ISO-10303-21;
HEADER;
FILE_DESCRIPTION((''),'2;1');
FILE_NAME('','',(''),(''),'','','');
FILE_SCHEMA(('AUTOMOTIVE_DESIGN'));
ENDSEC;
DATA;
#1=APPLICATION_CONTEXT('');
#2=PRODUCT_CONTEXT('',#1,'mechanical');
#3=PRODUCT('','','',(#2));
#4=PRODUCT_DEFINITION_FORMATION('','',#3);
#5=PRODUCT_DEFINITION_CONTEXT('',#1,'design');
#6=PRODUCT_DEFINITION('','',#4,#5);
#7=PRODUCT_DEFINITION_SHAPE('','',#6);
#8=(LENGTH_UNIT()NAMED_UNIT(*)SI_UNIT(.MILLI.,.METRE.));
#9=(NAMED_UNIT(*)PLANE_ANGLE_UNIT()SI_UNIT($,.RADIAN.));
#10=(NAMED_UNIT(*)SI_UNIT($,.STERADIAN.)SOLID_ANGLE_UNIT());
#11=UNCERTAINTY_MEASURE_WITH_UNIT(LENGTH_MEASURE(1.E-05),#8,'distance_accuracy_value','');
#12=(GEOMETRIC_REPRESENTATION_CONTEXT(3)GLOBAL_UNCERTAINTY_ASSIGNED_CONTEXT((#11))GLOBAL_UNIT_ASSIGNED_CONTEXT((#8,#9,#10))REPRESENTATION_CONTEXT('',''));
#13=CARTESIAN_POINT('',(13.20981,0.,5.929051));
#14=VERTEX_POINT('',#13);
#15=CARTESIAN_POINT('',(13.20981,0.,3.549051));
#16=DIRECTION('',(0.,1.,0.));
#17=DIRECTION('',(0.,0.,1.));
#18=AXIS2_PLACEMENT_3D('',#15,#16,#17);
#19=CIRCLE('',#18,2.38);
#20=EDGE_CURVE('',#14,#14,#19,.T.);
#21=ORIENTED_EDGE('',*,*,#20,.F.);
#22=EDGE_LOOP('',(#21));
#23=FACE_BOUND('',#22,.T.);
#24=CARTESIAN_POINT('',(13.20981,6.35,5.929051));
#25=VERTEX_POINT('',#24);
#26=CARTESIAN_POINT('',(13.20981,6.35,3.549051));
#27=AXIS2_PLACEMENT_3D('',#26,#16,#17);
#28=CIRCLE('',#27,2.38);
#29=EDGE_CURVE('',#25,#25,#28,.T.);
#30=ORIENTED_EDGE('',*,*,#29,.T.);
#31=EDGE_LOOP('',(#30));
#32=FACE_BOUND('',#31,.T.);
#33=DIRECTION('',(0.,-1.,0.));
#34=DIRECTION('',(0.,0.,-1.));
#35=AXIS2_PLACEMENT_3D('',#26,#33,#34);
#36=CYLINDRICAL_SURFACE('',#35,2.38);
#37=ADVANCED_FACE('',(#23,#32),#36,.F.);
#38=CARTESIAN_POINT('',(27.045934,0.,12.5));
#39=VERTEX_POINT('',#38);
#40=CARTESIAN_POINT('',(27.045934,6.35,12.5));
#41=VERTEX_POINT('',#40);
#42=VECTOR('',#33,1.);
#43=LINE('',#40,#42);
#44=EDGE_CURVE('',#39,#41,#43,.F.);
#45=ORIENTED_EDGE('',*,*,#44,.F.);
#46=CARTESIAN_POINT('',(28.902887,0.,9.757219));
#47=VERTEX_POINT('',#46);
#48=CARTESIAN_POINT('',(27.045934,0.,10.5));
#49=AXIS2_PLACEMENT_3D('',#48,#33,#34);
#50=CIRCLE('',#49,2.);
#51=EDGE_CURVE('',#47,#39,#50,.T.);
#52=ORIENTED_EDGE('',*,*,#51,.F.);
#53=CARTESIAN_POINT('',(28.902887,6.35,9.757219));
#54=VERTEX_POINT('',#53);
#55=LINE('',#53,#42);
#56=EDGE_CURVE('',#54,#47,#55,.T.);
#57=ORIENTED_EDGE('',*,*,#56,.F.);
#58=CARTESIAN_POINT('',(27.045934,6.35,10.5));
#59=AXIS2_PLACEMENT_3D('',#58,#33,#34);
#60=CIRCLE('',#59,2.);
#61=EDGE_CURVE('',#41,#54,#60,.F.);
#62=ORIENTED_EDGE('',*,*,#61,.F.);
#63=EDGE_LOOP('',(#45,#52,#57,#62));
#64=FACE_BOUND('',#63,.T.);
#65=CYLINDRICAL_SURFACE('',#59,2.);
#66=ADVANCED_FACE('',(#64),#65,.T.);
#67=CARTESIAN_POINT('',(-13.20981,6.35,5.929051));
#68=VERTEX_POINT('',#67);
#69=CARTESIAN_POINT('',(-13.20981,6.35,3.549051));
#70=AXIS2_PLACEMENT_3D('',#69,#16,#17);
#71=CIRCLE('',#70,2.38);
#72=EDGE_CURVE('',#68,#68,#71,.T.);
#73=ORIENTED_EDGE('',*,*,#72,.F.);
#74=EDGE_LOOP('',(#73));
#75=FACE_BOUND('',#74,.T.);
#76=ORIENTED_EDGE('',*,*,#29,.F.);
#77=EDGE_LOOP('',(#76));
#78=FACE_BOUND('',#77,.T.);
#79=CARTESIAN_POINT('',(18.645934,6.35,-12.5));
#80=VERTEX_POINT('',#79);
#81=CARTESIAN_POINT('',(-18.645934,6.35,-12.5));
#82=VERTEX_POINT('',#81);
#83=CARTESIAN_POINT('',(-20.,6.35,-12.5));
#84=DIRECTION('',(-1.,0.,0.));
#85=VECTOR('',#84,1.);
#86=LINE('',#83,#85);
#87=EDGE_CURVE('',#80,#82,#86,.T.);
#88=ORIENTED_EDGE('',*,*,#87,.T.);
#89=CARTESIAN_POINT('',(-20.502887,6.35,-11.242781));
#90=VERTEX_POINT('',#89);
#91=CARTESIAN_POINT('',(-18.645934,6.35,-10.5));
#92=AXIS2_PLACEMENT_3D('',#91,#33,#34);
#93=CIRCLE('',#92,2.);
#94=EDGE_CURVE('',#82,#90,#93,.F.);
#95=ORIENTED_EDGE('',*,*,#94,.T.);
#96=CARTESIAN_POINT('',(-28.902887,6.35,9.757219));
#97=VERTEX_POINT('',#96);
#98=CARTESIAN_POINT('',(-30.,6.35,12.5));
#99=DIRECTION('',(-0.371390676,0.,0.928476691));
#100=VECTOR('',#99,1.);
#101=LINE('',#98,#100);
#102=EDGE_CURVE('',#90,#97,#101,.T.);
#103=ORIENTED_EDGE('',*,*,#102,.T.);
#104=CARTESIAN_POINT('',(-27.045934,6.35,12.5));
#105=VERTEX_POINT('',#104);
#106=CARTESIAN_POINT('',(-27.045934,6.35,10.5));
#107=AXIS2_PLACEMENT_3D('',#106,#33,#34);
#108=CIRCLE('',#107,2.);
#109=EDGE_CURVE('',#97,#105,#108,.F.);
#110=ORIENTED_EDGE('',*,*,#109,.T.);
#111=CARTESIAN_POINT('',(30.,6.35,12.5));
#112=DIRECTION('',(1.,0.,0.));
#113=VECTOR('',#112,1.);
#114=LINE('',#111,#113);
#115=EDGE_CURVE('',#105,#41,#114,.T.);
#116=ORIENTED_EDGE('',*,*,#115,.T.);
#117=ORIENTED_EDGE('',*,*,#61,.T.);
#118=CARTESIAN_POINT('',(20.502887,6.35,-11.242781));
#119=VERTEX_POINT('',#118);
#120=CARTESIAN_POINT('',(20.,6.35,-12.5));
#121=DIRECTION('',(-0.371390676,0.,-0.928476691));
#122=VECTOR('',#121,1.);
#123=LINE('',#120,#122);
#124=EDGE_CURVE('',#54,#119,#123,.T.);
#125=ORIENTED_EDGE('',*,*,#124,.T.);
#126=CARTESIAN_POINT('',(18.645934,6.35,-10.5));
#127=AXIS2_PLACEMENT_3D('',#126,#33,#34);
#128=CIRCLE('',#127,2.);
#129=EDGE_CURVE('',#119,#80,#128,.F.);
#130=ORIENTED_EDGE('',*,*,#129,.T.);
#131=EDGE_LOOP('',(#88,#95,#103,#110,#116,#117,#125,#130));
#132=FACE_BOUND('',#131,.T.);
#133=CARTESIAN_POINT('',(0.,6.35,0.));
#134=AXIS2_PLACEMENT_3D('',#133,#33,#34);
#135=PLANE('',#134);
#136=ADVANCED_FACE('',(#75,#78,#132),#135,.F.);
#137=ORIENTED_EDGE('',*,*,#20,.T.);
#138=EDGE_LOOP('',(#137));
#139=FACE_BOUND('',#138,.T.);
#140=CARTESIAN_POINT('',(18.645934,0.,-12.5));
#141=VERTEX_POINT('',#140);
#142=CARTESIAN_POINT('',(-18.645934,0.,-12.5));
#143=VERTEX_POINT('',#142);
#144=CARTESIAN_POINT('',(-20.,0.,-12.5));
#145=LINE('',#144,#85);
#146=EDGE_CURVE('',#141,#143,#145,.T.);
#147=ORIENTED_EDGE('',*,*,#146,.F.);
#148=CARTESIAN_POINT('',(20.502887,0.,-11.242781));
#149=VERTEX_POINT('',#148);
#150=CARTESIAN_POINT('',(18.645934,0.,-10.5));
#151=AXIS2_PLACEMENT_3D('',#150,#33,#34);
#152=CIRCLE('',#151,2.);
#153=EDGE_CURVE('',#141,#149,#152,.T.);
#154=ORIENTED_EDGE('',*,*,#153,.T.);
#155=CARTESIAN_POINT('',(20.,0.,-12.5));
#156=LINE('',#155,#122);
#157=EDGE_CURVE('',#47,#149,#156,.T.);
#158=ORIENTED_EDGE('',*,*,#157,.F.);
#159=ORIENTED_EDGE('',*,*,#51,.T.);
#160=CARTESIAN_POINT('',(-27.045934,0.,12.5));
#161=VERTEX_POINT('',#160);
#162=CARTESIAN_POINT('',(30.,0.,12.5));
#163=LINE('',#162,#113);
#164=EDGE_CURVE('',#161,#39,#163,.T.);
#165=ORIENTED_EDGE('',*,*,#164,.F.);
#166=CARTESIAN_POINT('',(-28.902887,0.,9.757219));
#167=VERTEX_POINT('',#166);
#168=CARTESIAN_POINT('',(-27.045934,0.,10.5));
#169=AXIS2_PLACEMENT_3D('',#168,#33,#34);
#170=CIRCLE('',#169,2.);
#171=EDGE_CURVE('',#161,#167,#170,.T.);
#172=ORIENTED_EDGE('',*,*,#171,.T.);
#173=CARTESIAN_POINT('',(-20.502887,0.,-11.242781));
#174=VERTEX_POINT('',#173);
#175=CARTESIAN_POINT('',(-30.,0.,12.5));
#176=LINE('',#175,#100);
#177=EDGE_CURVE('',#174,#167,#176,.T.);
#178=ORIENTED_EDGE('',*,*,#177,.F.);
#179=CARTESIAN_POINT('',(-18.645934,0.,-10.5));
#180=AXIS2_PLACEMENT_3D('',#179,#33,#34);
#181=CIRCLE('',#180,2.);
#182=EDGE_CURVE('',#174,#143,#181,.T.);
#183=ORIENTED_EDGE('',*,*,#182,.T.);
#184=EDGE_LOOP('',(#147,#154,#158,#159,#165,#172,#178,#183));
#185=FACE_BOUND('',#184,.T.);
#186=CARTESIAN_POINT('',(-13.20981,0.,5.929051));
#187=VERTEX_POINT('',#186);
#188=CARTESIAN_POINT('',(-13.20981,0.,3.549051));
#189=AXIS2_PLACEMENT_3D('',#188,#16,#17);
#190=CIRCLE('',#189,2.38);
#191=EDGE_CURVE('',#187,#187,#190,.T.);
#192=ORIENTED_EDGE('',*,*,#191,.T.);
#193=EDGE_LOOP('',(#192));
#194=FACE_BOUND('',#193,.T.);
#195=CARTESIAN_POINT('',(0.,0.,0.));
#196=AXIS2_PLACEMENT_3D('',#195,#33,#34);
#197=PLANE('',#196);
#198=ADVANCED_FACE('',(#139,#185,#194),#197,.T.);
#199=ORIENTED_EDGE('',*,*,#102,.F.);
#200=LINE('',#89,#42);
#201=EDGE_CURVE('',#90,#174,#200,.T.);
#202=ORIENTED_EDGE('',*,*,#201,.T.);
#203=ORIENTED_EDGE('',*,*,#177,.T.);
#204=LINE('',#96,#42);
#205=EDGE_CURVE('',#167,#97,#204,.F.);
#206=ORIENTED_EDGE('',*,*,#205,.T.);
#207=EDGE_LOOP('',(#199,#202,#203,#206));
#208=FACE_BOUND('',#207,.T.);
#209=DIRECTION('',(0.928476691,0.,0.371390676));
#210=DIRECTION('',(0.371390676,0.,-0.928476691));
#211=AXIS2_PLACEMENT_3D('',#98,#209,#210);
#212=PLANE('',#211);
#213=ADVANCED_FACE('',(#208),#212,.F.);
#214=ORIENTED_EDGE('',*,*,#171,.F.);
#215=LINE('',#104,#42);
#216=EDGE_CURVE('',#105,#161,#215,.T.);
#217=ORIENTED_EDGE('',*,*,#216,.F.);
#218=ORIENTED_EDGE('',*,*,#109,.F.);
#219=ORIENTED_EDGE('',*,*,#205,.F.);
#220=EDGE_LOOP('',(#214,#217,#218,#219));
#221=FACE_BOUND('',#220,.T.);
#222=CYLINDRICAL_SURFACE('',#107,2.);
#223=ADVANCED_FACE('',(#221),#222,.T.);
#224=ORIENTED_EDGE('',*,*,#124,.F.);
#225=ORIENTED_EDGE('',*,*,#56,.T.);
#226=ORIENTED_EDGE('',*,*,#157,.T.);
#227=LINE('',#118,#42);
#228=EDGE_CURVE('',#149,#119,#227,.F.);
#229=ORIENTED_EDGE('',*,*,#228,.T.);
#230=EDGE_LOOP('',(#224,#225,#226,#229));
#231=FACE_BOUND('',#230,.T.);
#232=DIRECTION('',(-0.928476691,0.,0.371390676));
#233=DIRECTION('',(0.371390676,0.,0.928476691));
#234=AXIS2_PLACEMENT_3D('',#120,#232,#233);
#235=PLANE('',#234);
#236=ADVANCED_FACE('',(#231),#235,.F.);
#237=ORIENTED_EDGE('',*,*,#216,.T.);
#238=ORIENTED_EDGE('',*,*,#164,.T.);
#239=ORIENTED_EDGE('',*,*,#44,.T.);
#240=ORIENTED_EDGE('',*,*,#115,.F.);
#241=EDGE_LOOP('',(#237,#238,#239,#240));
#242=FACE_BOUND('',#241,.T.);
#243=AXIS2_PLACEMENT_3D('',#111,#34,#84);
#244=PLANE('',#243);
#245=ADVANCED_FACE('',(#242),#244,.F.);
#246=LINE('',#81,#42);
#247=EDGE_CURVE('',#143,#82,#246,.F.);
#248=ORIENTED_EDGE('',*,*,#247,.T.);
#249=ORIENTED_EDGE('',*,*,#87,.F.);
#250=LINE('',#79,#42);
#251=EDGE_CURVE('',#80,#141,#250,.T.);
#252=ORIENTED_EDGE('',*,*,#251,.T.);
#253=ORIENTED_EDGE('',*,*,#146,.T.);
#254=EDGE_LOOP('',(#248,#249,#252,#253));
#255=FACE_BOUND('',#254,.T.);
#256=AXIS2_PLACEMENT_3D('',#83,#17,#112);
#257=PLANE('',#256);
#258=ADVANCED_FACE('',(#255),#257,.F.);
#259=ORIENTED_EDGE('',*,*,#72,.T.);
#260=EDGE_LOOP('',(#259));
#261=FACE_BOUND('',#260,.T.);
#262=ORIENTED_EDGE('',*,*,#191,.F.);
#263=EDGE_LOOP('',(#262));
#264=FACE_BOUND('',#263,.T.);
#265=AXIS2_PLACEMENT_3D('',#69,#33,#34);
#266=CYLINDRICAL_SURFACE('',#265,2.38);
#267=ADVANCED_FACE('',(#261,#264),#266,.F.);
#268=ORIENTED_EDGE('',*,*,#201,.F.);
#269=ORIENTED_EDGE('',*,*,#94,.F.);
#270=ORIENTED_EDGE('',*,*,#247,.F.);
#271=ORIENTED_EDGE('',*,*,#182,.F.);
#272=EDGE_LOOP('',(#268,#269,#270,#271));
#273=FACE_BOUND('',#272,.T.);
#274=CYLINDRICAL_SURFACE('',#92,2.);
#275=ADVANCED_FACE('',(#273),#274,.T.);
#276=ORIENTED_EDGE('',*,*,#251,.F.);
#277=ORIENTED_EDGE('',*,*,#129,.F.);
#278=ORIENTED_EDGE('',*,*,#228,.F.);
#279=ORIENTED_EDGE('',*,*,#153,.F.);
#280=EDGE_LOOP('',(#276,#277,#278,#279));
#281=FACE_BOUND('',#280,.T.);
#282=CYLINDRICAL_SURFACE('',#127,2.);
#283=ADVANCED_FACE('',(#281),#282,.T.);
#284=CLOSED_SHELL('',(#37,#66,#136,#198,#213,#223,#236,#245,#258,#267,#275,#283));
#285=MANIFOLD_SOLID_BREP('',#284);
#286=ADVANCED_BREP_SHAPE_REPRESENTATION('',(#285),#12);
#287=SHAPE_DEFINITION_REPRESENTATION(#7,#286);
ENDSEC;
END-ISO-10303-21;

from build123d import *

# Parameters (mm, degrees)
SKETCH1_R           = 2.38
BOSS_EXTRUDE1_DEPTH = 6.35
FILLET1_R           = 2


with BuildPart() as part:
    # Sketch1 → Boss-Extrude1 (new body)
    with BuildSketch(Plane(origin=(0, 0, 0), x_dir=(1, 0, 0), z_dir=(0, 1, 0))):
        Polygon((-20, 12.5), (20, 12.5), (30, -12.5), (-30, -12.5), align=None)
        with Locations((-13.209810235, -3.549051176)):
            Circle(SKETCH1_R, mode=Mode.SUBTRACT)
        with Locations((13.209810235, -3.549051176)):
            Circle(SKETCH1_R, mode=Mode.SUBTRACT)
    extrude(amount=BOSS_EXTRUDE1_DEPTH)

    # Fillet1
    fillet1_edges = [part.edges().sort_by_distance(p)[0] for p in [
        (-20, 3.175, -12.5),
        (20, 3.175, -12.5),
        (30, 3.175, 12.5),
        (-30, 3.175, 12.5),
    ]]
    fillet(fillet1_edges, radius=FILLET1_R)


solid = part.part
